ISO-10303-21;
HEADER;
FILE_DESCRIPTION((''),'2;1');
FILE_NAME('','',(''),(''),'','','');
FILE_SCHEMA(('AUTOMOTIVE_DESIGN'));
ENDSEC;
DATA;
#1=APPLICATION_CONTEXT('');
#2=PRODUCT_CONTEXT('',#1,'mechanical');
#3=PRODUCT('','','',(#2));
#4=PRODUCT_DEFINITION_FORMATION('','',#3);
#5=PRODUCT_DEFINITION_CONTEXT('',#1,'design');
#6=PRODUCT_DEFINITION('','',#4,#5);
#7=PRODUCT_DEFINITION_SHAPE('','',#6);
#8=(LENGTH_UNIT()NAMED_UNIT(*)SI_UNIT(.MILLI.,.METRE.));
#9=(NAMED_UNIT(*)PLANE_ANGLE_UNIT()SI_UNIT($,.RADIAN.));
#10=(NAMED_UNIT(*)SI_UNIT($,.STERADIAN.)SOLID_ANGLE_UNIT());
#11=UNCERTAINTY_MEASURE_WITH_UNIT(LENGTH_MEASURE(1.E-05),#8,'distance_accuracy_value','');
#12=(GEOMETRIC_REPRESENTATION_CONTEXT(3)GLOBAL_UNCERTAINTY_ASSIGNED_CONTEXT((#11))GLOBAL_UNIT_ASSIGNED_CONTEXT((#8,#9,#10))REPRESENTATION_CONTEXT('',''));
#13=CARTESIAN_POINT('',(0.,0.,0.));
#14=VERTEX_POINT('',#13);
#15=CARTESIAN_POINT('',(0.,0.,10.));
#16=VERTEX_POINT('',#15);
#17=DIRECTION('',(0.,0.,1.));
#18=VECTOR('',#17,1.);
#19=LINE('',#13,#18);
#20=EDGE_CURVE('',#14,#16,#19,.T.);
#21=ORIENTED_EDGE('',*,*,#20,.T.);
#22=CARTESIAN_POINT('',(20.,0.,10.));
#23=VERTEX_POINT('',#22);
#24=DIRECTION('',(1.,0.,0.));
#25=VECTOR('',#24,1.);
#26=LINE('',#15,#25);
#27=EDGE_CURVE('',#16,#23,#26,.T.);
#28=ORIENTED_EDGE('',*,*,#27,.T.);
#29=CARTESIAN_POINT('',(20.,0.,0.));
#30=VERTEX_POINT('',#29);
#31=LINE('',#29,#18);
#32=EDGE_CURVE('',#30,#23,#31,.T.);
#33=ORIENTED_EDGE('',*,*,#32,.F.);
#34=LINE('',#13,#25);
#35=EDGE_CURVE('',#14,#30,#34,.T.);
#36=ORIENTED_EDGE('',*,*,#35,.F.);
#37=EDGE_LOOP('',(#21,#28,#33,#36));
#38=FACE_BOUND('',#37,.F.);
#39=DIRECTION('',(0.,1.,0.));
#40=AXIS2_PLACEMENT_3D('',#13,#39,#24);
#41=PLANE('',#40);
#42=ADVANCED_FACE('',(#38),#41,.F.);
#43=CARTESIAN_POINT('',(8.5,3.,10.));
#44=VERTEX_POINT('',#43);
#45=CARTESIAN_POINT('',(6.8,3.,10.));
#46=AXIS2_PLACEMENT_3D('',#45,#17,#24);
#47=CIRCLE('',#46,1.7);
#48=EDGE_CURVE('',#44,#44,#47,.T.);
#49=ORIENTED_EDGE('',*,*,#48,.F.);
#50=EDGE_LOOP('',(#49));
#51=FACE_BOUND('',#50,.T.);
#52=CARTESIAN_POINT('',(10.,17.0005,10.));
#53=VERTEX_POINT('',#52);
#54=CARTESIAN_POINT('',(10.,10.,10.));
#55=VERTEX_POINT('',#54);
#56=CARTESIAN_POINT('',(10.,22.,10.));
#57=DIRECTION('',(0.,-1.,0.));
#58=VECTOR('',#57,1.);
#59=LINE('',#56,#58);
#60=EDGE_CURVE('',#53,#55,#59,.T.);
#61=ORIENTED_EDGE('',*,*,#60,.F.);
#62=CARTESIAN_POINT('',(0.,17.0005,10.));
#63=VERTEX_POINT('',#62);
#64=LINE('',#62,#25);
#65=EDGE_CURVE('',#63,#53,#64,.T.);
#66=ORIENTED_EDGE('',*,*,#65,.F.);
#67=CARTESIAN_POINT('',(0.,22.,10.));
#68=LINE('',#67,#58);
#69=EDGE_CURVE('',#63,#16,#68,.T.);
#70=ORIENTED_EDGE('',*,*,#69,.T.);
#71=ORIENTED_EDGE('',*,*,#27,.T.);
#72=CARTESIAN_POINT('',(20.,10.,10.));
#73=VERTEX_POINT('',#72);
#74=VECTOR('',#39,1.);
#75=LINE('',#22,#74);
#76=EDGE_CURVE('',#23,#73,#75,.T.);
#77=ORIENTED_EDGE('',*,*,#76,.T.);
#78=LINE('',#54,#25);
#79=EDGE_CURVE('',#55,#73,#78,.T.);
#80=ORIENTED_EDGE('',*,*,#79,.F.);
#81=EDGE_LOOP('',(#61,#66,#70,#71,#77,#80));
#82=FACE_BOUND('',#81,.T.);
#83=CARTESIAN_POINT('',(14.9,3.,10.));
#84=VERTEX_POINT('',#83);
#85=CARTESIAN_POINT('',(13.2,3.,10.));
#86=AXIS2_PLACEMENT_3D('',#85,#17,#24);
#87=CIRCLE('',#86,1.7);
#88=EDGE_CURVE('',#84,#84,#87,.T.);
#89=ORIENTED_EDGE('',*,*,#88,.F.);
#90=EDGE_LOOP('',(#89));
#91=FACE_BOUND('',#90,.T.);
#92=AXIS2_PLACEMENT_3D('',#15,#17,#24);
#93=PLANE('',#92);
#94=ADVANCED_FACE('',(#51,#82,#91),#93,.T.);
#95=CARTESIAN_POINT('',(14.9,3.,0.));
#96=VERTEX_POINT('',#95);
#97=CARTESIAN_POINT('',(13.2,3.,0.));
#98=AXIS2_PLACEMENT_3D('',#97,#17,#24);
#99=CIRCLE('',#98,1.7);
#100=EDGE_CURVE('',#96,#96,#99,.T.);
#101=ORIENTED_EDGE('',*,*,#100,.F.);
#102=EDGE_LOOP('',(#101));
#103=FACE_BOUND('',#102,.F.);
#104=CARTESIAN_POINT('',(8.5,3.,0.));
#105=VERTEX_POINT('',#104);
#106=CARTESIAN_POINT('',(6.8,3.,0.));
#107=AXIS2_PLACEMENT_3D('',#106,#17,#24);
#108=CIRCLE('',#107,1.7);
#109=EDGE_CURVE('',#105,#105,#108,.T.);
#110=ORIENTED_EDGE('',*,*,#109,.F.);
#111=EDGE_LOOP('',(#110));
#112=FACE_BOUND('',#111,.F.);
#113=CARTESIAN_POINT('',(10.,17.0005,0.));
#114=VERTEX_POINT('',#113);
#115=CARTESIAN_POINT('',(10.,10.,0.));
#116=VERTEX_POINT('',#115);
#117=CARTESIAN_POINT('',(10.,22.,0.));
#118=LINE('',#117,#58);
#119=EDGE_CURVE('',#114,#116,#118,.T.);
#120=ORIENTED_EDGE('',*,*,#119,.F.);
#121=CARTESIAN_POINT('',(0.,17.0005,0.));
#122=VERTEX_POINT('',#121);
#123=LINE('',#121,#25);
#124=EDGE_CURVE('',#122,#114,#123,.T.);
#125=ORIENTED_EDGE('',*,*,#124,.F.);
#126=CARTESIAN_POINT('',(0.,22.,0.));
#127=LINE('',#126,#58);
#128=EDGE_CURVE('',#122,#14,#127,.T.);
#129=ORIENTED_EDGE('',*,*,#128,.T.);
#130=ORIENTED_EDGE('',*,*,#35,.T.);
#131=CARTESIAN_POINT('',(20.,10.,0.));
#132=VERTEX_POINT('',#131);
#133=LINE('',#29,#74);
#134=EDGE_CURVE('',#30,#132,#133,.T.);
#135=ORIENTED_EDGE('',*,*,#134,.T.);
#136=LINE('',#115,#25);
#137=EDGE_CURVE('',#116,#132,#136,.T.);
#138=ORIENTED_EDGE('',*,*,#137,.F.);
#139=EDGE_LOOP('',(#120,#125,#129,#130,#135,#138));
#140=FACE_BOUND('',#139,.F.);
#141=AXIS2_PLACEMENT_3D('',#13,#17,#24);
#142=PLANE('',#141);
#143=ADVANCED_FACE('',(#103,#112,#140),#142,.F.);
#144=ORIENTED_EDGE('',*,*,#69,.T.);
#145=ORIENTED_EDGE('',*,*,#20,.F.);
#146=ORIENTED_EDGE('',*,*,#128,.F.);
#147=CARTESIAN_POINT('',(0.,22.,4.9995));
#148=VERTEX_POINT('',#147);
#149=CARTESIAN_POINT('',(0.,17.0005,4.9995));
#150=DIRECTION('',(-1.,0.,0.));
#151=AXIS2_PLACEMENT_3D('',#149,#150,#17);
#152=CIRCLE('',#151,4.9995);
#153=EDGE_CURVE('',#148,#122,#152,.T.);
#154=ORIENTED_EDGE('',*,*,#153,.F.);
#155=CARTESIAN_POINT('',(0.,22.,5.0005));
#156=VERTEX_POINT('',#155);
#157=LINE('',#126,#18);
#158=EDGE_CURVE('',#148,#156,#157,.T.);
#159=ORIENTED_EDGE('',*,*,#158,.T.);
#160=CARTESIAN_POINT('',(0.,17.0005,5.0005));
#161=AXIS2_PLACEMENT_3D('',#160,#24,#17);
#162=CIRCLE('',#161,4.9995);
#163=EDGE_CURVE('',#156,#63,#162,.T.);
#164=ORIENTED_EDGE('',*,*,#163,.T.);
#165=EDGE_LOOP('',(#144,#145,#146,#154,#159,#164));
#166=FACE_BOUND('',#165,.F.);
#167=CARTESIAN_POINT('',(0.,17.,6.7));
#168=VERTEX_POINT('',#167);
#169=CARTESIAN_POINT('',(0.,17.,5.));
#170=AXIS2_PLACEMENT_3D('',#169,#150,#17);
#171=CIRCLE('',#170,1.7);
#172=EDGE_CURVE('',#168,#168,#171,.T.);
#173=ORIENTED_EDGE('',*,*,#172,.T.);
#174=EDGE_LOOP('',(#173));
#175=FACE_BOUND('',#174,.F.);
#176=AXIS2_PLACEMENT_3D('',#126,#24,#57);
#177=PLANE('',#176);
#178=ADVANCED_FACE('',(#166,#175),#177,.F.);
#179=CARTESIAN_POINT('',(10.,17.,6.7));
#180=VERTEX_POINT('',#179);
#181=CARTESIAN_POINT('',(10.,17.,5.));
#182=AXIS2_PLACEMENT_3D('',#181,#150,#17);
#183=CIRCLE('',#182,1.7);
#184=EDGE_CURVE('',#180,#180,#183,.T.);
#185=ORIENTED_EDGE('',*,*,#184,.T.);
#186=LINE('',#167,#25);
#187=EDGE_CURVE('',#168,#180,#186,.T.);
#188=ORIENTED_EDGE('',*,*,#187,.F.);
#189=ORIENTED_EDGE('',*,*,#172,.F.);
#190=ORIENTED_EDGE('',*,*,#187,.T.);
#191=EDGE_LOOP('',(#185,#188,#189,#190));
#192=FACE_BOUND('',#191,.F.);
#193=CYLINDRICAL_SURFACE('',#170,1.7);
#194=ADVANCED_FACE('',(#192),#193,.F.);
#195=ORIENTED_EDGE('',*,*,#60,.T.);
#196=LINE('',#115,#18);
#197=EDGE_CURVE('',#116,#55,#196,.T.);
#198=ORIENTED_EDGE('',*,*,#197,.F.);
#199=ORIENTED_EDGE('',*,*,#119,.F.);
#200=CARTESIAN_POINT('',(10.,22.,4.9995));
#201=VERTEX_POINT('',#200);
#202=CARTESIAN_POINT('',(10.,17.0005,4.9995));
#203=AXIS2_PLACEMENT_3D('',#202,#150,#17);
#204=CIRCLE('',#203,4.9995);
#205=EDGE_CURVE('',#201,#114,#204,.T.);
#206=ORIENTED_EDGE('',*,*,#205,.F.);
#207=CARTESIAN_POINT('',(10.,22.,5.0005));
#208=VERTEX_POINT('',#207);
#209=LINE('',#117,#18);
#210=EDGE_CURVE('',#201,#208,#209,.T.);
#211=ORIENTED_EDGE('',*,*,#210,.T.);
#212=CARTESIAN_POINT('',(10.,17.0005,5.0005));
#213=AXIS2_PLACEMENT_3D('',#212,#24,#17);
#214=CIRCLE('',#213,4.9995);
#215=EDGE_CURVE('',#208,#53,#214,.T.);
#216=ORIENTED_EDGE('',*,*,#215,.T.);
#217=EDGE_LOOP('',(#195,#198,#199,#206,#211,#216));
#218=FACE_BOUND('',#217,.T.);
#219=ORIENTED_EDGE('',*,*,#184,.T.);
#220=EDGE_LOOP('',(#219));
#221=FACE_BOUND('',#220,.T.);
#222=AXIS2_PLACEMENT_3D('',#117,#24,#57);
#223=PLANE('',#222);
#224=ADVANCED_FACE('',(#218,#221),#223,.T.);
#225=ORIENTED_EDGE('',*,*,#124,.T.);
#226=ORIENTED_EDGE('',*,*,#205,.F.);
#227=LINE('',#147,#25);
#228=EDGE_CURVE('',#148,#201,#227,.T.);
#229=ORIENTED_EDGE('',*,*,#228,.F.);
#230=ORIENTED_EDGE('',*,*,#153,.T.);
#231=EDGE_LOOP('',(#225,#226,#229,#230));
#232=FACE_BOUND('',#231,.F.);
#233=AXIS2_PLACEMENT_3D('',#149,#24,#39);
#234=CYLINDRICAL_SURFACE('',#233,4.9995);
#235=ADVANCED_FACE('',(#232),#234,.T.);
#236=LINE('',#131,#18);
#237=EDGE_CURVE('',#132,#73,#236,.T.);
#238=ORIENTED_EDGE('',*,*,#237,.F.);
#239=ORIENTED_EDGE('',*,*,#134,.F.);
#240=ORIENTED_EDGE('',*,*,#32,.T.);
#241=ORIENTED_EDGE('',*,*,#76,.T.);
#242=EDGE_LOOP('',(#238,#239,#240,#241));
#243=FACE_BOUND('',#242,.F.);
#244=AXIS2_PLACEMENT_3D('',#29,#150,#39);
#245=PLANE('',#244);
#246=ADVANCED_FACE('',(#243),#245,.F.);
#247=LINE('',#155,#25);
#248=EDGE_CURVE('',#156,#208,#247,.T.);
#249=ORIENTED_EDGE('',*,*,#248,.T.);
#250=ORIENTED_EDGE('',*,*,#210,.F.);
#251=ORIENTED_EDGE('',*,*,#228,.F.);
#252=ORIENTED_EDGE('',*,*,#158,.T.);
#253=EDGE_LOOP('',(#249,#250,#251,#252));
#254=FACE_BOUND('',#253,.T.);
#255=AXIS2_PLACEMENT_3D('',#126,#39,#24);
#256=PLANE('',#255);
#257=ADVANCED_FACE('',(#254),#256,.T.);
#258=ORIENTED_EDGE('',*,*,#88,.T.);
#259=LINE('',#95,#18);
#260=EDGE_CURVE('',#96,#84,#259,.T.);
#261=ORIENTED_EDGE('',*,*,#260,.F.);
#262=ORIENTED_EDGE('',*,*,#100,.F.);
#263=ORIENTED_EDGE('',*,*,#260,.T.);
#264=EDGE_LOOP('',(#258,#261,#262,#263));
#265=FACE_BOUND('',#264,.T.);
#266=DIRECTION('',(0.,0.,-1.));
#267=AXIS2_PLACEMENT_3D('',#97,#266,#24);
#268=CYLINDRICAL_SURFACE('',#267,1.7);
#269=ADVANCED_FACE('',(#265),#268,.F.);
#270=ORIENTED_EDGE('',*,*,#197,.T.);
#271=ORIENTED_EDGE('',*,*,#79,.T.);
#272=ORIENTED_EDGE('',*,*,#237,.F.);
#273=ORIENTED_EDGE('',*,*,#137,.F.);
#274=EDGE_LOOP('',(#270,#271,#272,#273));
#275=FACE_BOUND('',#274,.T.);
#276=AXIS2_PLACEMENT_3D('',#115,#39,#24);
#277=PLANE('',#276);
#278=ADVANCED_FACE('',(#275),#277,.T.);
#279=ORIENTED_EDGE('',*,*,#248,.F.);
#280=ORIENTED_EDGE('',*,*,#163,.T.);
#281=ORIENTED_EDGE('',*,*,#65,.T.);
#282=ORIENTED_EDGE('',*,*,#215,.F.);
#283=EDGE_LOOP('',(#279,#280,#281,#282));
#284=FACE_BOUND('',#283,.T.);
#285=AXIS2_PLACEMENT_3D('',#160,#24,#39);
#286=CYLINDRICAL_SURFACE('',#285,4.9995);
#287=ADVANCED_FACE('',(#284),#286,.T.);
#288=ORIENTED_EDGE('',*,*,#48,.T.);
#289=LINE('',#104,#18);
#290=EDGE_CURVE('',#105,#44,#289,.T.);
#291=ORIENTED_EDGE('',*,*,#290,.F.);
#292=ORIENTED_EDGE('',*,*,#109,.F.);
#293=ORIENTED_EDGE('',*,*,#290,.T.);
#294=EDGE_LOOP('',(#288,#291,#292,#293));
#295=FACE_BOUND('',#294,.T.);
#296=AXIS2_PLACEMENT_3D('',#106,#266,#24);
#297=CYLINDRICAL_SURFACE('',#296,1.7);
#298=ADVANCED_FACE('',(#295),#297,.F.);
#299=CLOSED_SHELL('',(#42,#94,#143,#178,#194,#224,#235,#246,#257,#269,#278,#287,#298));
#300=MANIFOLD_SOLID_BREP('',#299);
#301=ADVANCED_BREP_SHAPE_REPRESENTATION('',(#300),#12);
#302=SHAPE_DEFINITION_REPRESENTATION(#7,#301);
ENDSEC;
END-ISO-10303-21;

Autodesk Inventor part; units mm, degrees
ref_plane "YZ Plane" through (0, 0, 0) normal (1, 0, 0) x (0, 1, 0)
ref_plane "XZ Plane" through (0, 0, 0) normal (0, 1, 0) x (-1, 0, 0)
ref_plane "XY Plane" through (0, 0, 0) normal (0, 0, 1) x (1, 0, 0)
sketch "スケッチ4" plane through (0, 0, 0) normal (0, 0, 1) x (1, 0, 0)
  line L0 (0, 0) -> (20, 0)
  line L1 (20, 0) -> (20, 10)
  line L2 (0, 22) -> (0, 0)
  line L3 (0, 22) -> (10, 22)
  line L4 (10, 22) -> (10, 10)
  line L5 (10, 10) -> (20, 10)
  line L6 (10, 0) -> (10, 7.8024) construction
  circle A0 centre (6.8, 3) radius 1.7
  circle A1 centre (13.2, 3) radius 1.7
  dimension "d19" = 20
  dimension "d20" = 22
  dimension "d21" = 12
  dimension "d22" = 10
  dimension "d23" = 6.4
  dimension "d24" = 3.4
  dimension "d25" = 3
extrude "押し出し4" add sketch "スケッチ4" along normal blind 10
sketch "スケッチ5" plane through (0, 0, 0) normal (-1, 0, 0) x (0, 0, 1)
  line L0 (0, 22) -> (10, 22) projected
  line L1 (5, 22) -> (5, 17) construction
  circle A0 centre (5, 17) radius 1.7
  point P0 (0, 0)
  dimension "d28" = 3.4
  dimension "d29" = 5
extrude "押し出し5" cut sketch "スケッチ5" against normal blind 10
fillet "フィレット2" radius 5 2 edges at (5, 22, 0) (5, 22, 10)
properties part number "pixymount1"
